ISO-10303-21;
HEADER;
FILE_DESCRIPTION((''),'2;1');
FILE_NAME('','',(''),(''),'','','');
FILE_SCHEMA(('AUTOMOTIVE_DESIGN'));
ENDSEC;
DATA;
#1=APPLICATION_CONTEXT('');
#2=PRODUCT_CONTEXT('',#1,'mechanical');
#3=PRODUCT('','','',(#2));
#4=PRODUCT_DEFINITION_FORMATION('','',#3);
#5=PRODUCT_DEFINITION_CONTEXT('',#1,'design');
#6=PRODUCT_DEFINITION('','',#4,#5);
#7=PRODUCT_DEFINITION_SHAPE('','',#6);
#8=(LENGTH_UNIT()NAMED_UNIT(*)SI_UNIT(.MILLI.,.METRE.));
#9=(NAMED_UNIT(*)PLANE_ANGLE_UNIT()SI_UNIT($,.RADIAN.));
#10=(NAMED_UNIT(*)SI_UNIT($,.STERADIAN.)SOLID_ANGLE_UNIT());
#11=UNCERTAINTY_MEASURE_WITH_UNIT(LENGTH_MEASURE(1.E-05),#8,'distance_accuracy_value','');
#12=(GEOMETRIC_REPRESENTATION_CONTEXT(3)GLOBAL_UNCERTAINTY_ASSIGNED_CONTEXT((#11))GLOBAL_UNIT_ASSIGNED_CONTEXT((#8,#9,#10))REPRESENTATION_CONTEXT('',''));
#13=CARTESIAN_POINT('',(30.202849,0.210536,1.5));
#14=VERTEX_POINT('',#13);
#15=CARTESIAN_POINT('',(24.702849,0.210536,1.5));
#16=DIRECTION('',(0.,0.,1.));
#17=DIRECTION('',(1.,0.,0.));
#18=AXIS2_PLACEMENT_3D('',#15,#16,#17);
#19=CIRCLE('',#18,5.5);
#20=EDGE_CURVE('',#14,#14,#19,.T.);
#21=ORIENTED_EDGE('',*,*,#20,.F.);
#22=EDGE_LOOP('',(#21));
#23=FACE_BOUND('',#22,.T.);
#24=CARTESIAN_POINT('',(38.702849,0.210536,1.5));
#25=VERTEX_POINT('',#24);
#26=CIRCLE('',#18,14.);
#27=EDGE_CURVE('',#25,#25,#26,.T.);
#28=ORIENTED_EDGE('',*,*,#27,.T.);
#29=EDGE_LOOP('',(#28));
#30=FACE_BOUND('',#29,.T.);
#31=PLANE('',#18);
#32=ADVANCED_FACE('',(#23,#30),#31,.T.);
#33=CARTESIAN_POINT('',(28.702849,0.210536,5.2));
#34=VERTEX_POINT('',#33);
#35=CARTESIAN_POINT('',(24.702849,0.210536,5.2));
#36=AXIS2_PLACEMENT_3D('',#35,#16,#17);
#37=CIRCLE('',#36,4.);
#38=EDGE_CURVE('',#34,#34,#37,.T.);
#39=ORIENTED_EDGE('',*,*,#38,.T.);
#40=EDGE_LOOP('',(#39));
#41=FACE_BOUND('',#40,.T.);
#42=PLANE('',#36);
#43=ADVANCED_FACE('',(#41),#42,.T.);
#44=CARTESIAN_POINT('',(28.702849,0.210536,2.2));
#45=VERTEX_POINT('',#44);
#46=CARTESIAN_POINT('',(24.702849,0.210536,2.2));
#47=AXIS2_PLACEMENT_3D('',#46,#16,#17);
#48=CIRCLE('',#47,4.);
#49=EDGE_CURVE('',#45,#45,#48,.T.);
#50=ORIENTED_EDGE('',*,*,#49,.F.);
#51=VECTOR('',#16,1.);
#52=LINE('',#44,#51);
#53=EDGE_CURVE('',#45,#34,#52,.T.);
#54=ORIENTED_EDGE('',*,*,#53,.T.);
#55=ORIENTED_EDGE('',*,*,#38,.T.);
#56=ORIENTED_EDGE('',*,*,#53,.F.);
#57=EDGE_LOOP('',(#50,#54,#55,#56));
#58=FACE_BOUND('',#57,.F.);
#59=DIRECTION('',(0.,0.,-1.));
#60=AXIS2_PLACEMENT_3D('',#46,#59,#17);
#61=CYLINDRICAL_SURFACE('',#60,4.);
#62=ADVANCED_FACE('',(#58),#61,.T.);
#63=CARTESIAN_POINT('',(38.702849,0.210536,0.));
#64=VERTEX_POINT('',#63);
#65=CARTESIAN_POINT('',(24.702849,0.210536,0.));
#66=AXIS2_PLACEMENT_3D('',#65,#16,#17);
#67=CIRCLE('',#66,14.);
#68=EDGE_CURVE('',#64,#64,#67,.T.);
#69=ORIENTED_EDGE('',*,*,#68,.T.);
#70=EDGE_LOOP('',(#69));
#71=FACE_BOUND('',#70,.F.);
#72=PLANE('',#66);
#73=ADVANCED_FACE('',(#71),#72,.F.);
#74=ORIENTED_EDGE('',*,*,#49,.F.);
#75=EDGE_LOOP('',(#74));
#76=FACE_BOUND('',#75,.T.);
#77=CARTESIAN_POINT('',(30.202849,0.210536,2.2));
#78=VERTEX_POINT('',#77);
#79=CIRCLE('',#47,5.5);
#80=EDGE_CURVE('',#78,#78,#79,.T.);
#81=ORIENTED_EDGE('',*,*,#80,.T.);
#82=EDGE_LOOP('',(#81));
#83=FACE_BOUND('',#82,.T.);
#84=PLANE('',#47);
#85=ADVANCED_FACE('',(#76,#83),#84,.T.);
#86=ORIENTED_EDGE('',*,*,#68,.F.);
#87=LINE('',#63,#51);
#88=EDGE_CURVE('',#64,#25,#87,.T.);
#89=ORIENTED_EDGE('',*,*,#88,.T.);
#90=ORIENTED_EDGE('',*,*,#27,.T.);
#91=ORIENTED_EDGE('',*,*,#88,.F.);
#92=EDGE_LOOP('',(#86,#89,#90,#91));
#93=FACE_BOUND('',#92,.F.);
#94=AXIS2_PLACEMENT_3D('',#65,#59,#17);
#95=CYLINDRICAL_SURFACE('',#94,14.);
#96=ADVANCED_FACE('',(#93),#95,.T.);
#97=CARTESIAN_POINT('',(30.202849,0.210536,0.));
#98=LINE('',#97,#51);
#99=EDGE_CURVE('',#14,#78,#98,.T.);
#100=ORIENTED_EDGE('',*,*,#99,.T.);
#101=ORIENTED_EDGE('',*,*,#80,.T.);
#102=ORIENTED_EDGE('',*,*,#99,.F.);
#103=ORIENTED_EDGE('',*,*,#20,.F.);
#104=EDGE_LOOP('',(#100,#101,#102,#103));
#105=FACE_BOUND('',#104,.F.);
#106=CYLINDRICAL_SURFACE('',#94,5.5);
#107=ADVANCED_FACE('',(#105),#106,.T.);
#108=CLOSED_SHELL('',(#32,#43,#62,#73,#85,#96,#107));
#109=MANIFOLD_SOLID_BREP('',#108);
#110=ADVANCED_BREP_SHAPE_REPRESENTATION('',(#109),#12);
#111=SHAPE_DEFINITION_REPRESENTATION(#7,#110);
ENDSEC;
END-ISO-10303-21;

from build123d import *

# Parameters (mm, degrees)
F0_R     = 14
F0_R_2   = 5.5
F1_DEPTH = 1.5
F0_R_3   = 4
F2_DEPTH = 2.2
F3_DEPTH = 2.2
F4_R     = 4
F5_DEPTH = 3


with BuildPart() as f1:
    # F0 (on Top) → F1 (new body)
    with BuildSketch(Plane.XY):
        with Locations((24.702849, 0.210536)):
            Circle(F0_R)
        with Locations((24.702849, 0.210536)):
            Circle(F0_R_2, mode=Mode.SUBTRACT)
    extrude(amount=F1_DEPTH)

    # F0 (on Top) → F2 (join)
    with BuildSketch(Plane.XY):
        with Locations((24.702849, 0.210536)):
            Circle(F0_R_2)
        with Locations((24.702849, 0.210536)):
            Circle(F0_R_3, mode=Mode.SUBTRACT)
    extrude(amount=F2_DEPTH)

    # F0 (on Top) → F3 (join)
    with BuildSketch(Plane.XY):
        with Locations((24.702849, 0.210536)):
            Circle(F0_R_3)
    extrude(amount=F3_DEPTH)

    # F4 (on face) → F5 (join)
    with BuildSketch(Plane.XY.offset(2.2)):
        with Locations((24.702849, 0.210536)):
            Circle(F4_R)
    extrude(amount=F5_DEPTH)


solid = f1.part
